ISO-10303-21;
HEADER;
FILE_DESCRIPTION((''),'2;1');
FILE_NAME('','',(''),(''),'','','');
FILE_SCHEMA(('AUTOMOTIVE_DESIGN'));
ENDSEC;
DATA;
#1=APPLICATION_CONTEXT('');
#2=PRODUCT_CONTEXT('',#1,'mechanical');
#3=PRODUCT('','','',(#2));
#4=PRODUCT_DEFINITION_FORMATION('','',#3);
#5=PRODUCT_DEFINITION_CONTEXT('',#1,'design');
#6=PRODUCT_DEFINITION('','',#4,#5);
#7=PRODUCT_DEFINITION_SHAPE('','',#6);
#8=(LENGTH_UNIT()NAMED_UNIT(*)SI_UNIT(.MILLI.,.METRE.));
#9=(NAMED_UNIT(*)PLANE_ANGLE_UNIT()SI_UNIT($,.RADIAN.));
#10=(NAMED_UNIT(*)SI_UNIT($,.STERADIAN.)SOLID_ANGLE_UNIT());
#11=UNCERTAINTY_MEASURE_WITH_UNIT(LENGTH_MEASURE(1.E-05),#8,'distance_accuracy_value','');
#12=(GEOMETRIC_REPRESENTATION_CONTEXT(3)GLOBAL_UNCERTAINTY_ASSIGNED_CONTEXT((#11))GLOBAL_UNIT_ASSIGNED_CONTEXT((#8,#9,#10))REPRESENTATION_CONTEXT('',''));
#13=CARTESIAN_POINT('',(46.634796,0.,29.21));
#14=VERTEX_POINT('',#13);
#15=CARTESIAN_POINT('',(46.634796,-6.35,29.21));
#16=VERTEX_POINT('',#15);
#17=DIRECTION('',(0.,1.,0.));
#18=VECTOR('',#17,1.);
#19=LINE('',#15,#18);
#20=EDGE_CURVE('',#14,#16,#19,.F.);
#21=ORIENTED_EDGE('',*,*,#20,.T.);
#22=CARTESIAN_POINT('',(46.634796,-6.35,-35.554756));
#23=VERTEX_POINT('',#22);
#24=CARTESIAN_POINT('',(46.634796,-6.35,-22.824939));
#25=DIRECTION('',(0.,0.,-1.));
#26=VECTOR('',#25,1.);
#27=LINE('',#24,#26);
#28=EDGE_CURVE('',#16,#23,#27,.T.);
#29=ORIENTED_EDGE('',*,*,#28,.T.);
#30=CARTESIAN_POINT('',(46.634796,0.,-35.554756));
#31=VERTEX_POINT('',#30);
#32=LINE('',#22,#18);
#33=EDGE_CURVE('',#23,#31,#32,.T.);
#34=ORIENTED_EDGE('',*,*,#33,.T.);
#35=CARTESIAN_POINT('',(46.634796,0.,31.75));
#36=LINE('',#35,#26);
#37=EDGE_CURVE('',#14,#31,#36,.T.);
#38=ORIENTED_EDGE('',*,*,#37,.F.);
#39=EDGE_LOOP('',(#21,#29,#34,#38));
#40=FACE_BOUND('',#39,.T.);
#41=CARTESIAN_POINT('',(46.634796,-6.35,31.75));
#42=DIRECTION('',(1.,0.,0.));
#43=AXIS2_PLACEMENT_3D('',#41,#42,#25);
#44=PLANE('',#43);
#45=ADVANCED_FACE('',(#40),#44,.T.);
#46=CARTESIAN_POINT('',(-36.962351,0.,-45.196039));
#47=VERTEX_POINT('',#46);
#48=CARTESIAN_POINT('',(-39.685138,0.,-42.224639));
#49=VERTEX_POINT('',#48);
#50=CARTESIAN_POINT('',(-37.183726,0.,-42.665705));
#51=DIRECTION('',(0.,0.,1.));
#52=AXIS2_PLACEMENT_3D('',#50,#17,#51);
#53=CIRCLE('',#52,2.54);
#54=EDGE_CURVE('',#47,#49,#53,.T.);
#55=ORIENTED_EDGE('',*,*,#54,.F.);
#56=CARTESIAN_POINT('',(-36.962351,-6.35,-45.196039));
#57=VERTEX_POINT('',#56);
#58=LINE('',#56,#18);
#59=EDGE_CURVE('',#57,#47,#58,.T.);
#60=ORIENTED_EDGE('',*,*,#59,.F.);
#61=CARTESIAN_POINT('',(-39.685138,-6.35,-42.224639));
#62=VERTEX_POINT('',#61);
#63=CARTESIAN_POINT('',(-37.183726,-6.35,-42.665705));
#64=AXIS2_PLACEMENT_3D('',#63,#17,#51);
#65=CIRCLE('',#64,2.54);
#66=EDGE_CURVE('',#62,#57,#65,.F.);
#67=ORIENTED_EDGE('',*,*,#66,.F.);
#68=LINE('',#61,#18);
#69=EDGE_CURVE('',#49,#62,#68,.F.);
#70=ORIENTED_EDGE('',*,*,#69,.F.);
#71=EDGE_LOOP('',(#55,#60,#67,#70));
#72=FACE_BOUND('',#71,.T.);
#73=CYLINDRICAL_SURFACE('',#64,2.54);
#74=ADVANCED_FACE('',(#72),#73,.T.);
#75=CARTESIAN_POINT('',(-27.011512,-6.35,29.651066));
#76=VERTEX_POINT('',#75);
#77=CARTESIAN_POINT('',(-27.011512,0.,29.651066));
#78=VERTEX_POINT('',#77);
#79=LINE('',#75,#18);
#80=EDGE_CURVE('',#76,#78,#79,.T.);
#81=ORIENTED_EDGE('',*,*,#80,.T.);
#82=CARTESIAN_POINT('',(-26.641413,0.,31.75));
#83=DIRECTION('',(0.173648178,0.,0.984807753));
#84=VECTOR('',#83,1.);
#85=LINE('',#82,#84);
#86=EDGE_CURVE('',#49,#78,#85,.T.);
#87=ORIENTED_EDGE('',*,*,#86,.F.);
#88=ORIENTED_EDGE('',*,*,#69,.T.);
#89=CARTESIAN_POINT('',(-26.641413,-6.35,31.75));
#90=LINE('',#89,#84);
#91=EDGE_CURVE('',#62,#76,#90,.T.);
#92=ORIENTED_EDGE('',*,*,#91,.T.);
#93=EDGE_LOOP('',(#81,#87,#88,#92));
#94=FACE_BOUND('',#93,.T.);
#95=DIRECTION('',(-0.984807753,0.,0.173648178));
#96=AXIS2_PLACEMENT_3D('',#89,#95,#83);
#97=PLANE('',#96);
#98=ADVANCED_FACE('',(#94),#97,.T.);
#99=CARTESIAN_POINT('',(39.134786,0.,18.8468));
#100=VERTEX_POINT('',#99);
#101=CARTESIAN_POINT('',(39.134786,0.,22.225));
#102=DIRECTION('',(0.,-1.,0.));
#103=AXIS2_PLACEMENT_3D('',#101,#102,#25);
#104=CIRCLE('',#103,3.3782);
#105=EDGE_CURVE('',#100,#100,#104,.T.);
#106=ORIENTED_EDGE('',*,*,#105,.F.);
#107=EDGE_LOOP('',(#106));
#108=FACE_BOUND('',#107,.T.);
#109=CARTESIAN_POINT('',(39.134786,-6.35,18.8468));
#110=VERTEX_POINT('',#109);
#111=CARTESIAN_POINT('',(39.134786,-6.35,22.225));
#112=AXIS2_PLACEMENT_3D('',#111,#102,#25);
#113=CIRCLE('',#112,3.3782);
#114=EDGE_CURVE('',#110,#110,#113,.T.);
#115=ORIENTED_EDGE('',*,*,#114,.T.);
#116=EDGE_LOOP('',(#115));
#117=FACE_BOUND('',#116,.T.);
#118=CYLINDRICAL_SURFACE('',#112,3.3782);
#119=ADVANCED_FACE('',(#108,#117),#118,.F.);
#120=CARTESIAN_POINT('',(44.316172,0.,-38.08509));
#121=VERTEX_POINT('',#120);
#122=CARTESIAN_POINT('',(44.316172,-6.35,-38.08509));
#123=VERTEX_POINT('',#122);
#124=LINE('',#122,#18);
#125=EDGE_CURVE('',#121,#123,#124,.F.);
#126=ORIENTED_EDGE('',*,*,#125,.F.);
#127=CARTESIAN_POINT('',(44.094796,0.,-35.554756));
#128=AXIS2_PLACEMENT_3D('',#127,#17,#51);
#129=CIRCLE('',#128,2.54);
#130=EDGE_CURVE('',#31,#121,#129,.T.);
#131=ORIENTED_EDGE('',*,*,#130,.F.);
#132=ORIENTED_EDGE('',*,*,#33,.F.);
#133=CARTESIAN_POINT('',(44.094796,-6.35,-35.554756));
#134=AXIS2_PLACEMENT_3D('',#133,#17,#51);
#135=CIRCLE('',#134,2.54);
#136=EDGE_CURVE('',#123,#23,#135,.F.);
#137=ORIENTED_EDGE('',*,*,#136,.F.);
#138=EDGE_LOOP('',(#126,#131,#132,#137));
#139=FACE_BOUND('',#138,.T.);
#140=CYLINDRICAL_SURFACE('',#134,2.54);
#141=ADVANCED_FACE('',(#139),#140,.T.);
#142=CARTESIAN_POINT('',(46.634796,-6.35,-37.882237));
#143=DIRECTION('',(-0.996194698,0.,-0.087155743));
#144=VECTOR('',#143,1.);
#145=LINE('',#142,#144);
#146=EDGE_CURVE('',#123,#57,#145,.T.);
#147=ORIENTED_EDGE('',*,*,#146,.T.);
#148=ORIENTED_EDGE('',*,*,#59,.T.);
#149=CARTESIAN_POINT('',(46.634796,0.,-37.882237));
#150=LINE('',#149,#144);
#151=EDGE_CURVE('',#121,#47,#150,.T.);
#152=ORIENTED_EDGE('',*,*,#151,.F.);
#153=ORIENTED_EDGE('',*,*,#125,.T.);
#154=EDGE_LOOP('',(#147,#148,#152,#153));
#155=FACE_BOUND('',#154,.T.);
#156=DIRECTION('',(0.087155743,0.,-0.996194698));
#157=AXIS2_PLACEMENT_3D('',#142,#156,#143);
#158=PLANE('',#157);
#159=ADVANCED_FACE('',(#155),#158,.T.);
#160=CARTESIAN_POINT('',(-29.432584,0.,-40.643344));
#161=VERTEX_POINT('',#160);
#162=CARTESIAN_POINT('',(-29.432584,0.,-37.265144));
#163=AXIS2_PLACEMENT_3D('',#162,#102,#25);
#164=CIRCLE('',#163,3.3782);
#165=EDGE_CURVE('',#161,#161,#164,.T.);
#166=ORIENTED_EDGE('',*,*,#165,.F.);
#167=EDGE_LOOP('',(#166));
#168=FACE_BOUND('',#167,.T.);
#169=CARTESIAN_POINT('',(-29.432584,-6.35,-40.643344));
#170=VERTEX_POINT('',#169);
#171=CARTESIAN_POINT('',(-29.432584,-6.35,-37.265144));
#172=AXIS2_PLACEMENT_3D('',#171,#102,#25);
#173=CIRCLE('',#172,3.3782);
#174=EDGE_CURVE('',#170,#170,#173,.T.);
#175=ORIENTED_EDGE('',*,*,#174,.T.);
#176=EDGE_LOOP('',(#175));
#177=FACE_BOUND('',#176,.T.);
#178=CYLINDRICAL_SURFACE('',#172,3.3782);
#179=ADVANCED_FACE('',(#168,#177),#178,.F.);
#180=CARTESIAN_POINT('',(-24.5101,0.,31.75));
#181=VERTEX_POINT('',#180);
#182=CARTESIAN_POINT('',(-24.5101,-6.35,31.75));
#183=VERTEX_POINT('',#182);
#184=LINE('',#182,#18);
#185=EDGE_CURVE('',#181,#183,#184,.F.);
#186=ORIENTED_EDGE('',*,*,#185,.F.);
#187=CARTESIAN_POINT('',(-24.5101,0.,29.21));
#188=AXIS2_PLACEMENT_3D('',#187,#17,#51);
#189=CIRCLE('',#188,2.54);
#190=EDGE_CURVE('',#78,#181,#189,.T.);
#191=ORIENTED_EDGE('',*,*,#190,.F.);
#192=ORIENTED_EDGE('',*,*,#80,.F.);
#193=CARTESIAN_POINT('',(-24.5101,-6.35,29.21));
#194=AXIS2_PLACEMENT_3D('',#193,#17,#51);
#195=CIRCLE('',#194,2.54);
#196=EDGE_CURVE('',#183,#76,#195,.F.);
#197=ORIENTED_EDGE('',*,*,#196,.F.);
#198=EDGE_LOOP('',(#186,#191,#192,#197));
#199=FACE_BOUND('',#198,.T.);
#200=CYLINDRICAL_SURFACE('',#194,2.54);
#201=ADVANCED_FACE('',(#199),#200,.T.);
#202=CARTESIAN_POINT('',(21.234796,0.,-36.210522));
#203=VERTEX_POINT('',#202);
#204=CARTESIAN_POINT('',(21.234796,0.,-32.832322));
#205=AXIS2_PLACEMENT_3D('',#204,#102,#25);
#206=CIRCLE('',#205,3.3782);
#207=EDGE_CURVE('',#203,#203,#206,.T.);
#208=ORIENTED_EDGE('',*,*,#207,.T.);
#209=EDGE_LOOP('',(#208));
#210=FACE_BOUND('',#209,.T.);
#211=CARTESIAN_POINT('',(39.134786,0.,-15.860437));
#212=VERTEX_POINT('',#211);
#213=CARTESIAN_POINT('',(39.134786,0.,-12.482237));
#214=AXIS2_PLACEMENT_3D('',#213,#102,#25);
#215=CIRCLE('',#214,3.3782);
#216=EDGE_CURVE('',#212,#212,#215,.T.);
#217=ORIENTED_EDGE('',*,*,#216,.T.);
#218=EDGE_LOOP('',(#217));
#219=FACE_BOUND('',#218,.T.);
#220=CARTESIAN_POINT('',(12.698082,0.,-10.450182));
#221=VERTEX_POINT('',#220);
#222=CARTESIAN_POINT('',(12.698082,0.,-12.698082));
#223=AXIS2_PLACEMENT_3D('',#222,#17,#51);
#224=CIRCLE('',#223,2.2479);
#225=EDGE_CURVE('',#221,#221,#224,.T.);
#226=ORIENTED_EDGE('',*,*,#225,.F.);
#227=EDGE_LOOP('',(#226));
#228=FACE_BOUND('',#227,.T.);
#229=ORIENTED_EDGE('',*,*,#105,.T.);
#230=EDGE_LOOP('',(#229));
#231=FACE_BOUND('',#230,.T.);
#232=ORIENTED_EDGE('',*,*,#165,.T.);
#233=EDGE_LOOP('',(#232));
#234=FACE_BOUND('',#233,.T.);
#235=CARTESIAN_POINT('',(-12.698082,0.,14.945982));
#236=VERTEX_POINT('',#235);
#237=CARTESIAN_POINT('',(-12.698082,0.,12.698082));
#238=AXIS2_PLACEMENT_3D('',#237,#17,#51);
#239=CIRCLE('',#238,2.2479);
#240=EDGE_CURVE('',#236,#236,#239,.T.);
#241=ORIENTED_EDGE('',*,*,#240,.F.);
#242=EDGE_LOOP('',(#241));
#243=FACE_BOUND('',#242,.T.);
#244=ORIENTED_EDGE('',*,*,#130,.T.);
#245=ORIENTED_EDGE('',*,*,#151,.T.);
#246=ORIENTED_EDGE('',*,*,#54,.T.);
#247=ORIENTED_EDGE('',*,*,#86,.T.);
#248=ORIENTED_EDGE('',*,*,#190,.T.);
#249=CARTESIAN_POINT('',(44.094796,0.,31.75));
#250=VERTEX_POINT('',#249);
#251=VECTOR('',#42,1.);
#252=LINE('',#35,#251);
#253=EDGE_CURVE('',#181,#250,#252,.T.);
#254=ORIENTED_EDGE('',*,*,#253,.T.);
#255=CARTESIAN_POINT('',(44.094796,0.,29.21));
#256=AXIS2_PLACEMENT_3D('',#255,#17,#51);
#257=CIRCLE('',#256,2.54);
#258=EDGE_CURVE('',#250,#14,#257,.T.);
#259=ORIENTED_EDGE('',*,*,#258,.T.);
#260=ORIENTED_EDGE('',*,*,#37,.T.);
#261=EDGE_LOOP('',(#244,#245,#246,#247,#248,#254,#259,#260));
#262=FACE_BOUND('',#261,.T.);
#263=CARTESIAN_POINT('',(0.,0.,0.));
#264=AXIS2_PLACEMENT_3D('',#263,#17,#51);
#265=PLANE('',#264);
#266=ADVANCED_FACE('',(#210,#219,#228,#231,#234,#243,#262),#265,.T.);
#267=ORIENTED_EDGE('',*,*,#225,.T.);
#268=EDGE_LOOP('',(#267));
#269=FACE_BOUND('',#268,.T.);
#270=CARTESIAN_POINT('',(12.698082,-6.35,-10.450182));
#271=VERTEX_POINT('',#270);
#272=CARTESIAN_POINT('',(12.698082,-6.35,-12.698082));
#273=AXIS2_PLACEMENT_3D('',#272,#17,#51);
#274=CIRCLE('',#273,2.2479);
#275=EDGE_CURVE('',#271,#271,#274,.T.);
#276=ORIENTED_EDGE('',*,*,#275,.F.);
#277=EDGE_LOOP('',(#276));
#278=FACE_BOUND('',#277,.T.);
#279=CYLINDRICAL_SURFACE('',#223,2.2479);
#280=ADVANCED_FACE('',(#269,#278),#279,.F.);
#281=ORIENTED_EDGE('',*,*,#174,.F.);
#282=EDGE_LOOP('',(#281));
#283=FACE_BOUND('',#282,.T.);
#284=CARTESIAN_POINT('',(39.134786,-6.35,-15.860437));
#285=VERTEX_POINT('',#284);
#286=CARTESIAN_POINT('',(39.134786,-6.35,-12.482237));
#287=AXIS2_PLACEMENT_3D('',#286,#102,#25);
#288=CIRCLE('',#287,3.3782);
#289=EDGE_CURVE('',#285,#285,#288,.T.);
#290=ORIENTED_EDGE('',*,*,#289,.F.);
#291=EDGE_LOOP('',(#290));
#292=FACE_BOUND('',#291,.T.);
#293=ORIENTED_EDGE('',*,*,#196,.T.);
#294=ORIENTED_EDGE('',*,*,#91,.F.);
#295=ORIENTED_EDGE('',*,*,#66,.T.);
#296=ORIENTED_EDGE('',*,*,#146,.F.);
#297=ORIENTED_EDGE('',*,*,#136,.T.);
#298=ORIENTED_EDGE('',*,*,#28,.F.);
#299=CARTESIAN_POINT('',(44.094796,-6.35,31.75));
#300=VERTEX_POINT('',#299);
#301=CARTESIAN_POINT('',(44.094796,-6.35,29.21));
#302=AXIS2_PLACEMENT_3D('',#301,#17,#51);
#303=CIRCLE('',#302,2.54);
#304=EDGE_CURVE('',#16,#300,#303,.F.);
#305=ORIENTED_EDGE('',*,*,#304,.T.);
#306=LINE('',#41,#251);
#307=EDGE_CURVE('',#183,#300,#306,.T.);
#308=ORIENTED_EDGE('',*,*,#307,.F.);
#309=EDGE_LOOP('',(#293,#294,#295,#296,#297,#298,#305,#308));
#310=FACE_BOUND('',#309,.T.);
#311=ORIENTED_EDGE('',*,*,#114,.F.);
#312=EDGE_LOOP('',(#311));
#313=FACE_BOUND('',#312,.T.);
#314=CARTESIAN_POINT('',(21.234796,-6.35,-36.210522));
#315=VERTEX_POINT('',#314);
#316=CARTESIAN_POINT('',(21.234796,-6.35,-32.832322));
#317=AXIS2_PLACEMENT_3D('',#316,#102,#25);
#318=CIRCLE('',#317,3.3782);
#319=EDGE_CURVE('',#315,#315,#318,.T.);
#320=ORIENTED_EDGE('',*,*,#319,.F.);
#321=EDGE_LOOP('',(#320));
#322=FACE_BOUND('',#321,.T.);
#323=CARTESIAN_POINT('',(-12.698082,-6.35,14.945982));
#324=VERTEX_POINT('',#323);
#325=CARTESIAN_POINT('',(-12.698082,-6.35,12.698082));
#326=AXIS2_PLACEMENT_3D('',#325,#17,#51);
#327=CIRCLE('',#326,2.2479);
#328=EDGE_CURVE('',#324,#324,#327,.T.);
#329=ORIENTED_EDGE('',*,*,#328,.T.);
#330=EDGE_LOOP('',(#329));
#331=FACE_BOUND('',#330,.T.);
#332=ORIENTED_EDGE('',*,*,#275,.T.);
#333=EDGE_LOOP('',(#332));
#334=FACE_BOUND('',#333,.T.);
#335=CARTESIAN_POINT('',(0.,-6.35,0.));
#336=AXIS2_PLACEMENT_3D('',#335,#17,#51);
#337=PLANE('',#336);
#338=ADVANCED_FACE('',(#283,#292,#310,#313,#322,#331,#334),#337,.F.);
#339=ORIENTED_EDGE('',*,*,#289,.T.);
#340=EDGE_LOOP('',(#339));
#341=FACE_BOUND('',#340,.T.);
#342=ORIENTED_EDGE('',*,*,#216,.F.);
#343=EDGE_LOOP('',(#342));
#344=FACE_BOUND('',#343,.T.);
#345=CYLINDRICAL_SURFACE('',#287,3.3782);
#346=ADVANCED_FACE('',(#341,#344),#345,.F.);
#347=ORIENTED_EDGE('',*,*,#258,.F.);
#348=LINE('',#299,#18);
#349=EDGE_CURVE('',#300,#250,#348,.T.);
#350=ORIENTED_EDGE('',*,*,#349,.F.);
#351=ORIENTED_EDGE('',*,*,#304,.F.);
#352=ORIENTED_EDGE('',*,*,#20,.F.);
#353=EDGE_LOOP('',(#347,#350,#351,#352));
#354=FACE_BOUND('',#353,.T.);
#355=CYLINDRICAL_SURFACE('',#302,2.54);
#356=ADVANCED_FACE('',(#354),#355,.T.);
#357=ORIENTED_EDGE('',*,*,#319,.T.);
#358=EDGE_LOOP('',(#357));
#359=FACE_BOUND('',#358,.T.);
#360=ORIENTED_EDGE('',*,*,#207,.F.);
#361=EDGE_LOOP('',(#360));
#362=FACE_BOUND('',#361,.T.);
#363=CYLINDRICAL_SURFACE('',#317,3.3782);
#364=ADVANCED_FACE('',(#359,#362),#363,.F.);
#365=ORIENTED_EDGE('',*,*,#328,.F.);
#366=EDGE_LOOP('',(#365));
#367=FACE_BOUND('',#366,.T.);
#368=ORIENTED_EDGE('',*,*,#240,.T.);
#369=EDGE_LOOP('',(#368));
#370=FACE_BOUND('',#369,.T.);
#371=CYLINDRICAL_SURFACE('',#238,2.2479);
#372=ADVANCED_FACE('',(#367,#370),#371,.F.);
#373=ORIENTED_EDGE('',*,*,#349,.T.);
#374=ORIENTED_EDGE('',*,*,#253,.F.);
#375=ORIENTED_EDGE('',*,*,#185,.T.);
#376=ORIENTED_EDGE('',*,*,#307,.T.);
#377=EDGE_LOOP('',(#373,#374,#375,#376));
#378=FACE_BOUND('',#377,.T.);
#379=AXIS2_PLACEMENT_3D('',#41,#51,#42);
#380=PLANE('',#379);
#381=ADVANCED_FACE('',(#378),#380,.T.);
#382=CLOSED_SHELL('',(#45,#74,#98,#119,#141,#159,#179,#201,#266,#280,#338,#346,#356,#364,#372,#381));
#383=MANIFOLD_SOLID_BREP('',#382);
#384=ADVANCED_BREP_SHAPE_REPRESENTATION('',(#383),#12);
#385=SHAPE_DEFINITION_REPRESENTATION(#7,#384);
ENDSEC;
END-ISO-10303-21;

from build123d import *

# Parameters (mm, degrees)
BOSS_EXTRUDE1_DEPTH     = 6.35
F_1_4_CLEARANCE_HOLE1_D = 6.7564
F_8_CLEARANCE_HOLE1_D   = 4.4958
FILLET1_R               = 2.54


with BuildPart() as part:
    # Sketch1 → Boss-Extrude1 (new body)
    with BuildSketch(Plane(origin=(0, 0, 0), x_dir=(1, 0, 0), z_dir=(0, 1, 0))):
        Polygon((46.634796, -31.75), (46.634796, 22.824939239), (46.634796, 37.882236802), (-40.259946838, 45.48454172), (-26.64141329, -31.75), align=None)
    extrude(amount=-BOSS_EXTRUDE1_DEPTH)

    # 1/4 Clearance Hole1 (through all)
    with Locations(Plane(origin=(0, -6.35, 0), x_dir=(-1, 0, 0), z_dir=(0, -1, 0))):
        with Locations((-21.234796, 32.832322476), (-39.1347856, -22.225), (-39.1347856, 12.482236802), (29.432583699, 37.26514381)):
            Hole(F_1_4_CLEARANCE_HOLE1_D / 2)

    # #8 Clearance Hole1 (through all)
    with Locations(Plane(origin=(0, 0, 0), x_dir=(1, 0, 0), z_dir=(0, 1, 0))):
        with Locations((12.698082155, 12.698082155), (-12.698082155, -12.698082155)):
            Hole(F_8_CLEARANCE_HOLE1_D / 2)

    # Fillet1
    fillet1_edges = [part.edges().sort_by_distance(p)[0] for p in [
        (46.634796, -3.175, 31.75),
        (-26.64141329, -3.175, 31.75),
        (-40.259946838, -3.175, -45.48454172),
        (46.634796, -3.175, -37.882236802),
    ]]
    fillet(fillet1_edges, radius=FILLET1_R)


solid = part.part
